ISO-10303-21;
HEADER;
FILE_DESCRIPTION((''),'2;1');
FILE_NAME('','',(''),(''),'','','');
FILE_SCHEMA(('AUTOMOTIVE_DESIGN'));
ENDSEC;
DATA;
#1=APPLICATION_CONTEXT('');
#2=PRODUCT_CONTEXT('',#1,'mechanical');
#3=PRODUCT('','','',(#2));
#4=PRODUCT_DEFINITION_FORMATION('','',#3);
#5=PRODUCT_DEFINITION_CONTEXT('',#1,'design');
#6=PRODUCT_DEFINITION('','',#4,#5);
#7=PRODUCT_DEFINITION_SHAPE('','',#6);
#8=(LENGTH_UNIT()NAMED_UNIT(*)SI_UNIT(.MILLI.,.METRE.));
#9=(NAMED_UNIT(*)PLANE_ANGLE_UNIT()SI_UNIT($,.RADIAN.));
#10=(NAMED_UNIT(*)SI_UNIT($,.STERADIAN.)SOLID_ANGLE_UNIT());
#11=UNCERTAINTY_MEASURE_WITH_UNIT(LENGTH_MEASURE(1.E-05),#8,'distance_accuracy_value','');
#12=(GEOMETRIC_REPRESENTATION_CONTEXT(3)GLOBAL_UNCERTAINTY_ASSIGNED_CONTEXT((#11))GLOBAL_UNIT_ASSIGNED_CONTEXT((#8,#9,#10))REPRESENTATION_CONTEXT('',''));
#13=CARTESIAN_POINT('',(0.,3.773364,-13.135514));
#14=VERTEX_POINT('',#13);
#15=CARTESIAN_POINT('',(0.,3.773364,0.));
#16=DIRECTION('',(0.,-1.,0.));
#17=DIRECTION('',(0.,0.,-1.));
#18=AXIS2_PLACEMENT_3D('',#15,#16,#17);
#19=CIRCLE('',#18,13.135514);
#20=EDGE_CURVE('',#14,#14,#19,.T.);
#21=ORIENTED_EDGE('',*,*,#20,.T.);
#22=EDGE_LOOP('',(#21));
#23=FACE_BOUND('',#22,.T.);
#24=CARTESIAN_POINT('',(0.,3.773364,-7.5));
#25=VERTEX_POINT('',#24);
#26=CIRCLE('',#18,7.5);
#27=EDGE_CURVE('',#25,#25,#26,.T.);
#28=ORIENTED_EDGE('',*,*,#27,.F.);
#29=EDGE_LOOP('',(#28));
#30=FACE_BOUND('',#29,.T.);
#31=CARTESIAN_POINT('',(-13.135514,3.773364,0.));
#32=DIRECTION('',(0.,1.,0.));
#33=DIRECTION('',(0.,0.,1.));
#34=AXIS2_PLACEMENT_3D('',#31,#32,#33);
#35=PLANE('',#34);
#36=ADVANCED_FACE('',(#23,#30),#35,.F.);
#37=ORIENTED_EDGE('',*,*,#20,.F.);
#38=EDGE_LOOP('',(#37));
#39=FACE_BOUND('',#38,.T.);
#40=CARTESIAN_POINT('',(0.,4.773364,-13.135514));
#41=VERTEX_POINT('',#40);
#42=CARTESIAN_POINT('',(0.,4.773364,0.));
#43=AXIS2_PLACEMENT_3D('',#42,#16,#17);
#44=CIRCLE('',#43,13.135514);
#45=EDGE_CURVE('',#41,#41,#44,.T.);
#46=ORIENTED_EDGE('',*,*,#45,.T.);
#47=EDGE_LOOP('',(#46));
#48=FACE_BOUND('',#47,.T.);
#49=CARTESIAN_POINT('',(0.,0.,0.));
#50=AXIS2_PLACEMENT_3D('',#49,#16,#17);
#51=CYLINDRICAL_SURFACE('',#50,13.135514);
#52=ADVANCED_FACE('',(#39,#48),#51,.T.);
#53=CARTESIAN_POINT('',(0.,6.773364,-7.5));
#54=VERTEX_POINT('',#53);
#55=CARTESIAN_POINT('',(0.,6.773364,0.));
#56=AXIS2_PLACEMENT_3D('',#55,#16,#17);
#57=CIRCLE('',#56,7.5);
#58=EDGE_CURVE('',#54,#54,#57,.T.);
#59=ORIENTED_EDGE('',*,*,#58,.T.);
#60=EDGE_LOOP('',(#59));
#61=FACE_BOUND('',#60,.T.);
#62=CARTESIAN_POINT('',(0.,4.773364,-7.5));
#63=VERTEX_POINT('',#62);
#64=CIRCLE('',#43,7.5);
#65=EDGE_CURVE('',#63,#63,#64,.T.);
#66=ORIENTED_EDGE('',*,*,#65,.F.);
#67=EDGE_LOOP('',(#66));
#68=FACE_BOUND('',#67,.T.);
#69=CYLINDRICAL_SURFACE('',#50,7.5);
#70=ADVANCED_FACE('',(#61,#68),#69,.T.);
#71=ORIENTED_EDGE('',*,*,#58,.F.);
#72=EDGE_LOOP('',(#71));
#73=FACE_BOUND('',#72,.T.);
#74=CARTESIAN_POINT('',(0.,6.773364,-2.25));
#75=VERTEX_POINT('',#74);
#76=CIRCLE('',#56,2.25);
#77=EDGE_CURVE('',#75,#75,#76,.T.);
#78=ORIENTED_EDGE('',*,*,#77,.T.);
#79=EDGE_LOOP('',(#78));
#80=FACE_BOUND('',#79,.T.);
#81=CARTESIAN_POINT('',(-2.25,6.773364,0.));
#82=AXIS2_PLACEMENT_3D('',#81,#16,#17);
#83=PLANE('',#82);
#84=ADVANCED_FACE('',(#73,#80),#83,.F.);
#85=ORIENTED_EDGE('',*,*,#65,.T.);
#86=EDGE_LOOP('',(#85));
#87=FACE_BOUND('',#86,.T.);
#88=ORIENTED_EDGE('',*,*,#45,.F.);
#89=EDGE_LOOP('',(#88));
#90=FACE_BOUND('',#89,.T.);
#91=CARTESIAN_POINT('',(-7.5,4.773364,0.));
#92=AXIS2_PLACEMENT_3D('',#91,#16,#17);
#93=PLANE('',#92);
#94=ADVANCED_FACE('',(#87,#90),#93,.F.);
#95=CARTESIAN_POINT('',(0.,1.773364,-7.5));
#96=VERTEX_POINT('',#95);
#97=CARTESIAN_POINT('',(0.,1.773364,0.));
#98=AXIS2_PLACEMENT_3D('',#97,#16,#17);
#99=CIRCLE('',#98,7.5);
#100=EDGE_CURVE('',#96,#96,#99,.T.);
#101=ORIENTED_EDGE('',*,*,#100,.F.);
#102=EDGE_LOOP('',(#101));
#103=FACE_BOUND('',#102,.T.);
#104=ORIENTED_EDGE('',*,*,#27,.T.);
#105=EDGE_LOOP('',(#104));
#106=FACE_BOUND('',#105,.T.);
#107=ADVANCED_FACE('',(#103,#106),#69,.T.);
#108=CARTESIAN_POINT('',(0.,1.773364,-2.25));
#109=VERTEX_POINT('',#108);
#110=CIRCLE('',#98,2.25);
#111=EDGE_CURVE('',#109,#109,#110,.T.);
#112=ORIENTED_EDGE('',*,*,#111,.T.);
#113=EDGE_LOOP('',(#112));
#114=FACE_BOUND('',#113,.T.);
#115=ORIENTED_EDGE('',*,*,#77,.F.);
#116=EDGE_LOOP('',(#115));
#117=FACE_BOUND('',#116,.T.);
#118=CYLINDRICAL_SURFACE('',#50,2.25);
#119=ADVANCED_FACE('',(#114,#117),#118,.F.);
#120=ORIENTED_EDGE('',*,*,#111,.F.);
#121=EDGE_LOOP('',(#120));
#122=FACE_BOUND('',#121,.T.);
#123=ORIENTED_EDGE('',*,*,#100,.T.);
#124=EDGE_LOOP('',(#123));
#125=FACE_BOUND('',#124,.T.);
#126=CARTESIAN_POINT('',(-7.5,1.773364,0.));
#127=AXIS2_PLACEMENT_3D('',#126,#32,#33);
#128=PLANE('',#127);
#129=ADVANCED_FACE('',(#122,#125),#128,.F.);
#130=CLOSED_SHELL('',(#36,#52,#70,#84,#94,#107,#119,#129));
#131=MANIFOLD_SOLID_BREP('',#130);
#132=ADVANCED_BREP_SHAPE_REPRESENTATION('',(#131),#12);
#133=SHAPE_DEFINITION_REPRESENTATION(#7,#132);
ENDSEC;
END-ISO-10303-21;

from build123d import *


with BuildPart() as part:
    # Sketch1 → Revolve1 (revolve)
    with BuildSketch(Plane.XY, mode=Mode.PRIVATE) as revolve1_sk:
        Polygon((-2.25, 1.773364486), (-2.25, 6.773364486), (-7.5, 6.773364486), (-7.5, 4.773364486), (-13.135514019, 4.773364486), (-13.135514019, 3.773364486), (-7.5, 3.773364486), (-7.5, 1.773364486), align=None)
    revolve(revolve1_sk.sketch.rotate(Axis((0, 0, 0), (0, 1, 0)), 270), axis=Axis((0, 0, 0), (0, 1, 0)))


solid = part.part
